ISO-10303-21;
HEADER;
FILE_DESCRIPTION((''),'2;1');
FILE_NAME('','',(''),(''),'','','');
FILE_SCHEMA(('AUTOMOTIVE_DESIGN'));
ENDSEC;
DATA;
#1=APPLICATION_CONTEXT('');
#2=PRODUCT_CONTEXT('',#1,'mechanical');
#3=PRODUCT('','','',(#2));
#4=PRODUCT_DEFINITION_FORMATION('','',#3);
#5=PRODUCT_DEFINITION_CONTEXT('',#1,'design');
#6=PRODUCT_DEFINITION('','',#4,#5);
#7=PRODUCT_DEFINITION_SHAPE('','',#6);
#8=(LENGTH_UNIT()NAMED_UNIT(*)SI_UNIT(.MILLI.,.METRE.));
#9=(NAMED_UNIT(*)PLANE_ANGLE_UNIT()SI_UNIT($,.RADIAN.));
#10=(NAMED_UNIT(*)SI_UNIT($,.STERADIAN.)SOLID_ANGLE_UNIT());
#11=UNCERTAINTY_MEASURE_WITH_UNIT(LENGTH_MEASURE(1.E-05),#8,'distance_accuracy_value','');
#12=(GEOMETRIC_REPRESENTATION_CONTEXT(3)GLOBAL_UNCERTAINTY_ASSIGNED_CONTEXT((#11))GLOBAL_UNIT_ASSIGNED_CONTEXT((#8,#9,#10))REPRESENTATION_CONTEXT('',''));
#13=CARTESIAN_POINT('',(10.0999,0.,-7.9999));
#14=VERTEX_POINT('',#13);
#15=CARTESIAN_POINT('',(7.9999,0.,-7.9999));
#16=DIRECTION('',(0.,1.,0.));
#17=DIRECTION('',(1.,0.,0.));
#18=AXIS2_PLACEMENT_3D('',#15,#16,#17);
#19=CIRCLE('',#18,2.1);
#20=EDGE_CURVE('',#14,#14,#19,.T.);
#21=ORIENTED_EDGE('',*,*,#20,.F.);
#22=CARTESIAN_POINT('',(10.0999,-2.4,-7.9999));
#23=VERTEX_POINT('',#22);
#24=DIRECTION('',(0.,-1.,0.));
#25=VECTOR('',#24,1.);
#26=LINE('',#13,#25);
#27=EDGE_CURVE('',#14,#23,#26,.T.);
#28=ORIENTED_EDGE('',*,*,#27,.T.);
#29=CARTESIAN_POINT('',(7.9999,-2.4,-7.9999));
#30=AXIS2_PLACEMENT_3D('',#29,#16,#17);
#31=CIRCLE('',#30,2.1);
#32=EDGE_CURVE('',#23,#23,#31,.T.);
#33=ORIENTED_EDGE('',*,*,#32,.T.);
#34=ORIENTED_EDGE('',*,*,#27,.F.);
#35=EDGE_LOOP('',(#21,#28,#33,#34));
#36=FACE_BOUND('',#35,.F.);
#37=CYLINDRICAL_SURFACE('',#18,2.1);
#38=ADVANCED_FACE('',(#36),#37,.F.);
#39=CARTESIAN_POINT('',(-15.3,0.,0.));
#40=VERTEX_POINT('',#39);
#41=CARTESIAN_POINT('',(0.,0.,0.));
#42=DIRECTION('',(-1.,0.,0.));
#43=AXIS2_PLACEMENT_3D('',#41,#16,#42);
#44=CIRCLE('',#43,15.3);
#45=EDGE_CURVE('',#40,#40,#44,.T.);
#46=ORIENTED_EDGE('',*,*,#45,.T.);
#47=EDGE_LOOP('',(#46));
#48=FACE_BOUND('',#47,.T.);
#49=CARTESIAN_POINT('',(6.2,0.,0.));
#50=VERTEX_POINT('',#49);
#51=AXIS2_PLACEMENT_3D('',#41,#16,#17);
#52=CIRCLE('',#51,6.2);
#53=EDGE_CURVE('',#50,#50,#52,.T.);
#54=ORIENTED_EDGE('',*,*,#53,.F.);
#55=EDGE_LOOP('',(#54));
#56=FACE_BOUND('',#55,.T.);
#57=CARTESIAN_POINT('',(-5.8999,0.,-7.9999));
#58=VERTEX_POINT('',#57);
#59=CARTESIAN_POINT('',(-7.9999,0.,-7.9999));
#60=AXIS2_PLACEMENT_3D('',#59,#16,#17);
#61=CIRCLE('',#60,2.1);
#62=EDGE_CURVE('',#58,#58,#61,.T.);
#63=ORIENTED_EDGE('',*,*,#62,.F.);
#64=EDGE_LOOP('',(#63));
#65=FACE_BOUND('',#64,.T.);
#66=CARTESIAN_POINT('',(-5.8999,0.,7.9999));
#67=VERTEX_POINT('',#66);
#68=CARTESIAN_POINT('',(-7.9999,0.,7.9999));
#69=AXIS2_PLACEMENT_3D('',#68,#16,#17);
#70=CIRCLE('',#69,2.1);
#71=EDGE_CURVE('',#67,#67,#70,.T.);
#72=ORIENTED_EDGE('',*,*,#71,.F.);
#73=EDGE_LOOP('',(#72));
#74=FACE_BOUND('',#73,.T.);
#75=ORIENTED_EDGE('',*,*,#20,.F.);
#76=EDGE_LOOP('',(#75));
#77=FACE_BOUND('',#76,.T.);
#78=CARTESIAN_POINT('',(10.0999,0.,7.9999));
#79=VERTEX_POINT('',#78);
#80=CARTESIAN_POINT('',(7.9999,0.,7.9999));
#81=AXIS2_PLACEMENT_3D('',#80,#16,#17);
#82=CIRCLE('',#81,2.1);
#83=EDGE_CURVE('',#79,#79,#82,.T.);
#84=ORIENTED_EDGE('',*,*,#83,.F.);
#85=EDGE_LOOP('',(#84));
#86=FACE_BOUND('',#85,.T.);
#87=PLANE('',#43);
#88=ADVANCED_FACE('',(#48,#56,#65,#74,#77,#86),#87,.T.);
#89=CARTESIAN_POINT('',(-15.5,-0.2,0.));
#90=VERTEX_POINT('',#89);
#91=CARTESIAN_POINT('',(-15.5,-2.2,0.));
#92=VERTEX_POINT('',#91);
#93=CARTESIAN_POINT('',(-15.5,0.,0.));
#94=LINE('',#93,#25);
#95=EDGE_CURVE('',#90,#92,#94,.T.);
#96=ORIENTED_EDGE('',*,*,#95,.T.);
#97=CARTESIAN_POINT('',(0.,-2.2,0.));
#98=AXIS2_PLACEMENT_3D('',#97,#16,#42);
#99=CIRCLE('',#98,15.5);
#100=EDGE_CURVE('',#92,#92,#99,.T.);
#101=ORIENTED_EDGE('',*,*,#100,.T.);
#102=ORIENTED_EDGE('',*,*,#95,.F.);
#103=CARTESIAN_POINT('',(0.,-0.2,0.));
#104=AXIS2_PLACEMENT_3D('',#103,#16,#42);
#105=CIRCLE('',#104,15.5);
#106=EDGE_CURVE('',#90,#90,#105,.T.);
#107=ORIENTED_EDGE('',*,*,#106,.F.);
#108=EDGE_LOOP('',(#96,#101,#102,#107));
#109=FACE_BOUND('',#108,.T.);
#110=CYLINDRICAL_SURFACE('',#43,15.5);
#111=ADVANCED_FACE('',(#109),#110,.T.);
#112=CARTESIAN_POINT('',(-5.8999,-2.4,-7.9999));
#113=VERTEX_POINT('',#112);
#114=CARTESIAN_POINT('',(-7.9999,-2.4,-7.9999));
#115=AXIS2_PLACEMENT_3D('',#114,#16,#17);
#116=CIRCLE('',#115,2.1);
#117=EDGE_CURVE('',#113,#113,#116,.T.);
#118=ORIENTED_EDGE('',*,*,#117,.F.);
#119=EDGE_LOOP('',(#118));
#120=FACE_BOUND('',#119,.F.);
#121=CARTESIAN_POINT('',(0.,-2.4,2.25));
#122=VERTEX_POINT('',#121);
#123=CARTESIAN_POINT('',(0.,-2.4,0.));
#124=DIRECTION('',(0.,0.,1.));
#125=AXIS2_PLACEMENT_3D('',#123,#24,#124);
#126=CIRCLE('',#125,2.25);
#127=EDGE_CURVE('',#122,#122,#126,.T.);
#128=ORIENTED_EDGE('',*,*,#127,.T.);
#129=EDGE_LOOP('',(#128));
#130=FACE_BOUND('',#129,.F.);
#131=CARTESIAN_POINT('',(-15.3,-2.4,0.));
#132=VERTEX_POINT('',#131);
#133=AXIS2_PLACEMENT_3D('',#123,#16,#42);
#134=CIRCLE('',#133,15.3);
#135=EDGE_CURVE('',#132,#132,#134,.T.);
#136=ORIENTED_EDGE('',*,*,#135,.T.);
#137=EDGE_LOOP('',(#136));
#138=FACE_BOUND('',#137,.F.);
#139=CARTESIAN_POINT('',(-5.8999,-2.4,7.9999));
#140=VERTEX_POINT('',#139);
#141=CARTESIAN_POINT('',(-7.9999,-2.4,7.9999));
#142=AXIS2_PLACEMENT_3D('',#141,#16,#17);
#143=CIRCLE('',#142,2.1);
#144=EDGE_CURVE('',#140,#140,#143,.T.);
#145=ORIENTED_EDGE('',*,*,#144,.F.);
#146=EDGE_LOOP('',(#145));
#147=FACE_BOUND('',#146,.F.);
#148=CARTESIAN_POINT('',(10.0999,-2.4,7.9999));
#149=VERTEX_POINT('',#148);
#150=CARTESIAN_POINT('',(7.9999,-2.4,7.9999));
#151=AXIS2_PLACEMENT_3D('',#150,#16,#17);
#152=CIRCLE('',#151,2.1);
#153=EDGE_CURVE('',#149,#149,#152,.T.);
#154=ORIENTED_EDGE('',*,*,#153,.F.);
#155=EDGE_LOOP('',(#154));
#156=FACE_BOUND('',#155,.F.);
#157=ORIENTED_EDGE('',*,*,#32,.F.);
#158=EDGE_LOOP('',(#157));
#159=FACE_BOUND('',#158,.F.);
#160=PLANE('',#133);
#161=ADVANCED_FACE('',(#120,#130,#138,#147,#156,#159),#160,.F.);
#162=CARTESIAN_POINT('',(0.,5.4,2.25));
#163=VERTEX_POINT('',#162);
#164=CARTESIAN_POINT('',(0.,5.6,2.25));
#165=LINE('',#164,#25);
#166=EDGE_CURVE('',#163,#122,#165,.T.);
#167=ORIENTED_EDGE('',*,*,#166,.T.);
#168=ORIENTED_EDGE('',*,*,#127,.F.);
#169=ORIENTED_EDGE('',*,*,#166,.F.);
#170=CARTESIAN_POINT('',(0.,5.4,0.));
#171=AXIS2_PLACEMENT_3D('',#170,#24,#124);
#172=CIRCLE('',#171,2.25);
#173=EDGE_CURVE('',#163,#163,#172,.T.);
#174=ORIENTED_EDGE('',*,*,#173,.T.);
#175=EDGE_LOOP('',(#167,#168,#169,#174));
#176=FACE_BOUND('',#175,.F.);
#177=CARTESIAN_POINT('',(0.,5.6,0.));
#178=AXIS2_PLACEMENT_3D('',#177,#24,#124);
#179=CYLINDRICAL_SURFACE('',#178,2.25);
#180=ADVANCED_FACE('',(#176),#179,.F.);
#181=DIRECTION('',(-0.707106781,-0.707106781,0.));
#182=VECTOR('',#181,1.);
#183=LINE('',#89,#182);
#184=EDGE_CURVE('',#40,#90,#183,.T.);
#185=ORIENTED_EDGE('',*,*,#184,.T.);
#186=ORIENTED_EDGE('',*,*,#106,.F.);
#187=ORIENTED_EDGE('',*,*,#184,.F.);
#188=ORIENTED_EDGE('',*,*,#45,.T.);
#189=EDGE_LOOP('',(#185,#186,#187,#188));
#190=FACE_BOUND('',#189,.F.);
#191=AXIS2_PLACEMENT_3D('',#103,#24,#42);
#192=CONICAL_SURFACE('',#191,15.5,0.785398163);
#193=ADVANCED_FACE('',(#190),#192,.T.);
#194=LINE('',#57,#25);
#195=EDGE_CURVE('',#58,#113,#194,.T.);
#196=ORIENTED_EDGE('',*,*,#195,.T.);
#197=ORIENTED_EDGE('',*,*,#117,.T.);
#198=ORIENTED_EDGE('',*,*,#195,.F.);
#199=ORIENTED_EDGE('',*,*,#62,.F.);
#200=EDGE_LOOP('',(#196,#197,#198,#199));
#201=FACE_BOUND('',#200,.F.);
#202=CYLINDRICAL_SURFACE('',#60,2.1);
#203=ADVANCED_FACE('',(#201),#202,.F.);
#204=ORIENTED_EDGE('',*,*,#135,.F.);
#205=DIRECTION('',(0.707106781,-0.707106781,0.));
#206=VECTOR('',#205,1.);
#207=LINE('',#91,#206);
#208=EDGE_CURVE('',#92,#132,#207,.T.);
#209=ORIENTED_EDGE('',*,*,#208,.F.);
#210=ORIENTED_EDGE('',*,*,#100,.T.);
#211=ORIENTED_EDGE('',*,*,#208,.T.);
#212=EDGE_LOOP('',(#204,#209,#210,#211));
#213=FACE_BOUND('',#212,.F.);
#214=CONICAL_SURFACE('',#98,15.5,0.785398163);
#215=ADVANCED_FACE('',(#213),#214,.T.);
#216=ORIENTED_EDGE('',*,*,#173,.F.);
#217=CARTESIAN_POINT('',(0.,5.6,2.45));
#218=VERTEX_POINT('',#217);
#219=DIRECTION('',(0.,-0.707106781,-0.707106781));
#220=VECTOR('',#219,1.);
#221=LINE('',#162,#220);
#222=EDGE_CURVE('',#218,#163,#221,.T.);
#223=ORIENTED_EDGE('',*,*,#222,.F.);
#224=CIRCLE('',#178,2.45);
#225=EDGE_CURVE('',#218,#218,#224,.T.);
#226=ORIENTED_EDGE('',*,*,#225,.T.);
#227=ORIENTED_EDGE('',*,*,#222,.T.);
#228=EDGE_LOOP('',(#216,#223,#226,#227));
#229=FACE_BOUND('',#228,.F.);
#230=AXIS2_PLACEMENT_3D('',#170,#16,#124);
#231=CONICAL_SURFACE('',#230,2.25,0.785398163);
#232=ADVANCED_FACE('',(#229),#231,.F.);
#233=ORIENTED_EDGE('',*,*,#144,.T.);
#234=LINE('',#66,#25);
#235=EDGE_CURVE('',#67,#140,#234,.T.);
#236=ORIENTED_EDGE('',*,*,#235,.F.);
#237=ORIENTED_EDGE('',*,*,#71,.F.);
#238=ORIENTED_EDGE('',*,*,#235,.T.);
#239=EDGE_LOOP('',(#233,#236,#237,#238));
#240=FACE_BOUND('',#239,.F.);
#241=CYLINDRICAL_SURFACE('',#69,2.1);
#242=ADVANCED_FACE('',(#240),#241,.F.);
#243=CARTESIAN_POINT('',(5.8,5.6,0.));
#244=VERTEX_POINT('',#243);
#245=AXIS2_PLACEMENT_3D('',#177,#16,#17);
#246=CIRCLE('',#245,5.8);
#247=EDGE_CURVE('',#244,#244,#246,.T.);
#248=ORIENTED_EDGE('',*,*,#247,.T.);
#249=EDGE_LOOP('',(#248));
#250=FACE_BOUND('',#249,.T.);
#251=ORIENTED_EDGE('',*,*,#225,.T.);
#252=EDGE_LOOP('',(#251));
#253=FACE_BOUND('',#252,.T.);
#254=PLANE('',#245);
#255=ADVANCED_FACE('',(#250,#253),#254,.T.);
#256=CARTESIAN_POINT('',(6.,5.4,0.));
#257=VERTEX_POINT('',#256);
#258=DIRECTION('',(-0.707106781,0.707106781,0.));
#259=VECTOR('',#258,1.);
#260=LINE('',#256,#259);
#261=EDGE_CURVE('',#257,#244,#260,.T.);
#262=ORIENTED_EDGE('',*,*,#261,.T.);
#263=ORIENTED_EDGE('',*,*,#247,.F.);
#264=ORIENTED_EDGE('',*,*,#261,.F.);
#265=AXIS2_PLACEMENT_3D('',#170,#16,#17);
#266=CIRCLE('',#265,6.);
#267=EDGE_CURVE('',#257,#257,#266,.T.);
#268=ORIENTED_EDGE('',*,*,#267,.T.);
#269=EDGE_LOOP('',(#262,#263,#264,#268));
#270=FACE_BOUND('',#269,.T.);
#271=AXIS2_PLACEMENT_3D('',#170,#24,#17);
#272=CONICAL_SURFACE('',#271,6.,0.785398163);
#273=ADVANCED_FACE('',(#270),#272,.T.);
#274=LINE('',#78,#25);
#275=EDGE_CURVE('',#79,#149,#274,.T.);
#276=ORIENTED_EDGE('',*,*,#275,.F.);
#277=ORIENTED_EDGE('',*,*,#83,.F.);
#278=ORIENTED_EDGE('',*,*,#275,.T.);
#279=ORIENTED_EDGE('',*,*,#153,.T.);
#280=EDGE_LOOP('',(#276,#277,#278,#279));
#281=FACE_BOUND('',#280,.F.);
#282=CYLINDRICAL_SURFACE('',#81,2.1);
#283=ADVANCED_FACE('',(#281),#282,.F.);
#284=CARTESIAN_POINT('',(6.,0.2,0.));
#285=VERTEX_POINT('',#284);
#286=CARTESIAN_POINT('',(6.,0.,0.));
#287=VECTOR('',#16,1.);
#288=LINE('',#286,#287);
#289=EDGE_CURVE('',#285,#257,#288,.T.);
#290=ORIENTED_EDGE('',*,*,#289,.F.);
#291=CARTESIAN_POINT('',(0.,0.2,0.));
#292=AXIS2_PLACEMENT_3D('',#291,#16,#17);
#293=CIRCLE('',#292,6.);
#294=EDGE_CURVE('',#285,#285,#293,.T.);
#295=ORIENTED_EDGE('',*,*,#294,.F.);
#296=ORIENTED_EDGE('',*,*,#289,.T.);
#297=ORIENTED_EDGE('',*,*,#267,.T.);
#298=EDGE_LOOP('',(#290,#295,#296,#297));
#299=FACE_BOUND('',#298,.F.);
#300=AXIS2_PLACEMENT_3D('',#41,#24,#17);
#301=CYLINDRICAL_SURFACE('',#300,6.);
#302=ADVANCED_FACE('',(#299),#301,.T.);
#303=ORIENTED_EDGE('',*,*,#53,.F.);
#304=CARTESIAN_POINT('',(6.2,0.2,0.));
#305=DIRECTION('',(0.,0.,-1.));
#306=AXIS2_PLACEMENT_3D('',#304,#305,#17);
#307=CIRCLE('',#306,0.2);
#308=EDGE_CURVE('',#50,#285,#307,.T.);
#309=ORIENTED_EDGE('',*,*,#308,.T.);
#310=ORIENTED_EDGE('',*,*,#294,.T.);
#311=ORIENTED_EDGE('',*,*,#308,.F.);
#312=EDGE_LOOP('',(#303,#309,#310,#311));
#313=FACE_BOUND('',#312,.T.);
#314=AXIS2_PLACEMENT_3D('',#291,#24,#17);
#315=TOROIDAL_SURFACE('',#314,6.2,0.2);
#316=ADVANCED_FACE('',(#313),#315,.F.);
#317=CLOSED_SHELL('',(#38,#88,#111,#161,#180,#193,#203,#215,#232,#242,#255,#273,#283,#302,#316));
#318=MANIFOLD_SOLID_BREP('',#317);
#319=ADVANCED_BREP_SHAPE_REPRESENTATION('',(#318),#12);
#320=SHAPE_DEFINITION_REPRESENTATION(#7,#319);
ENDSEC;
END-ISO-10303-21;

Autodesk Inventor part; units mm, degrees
ref_plane "YZ Plane" through (0, 0, 0) normal (1, 0, 0) x (0, 1, 0)
ref_plane "XZ Plane" through (0, 0, 0) normal (0, 1, 0) x (-1, 0, 0)
ref_plane "XY Plane" through (0, 0, 0) normal (0, 0, 1) x (1, 0, 0)
sketch "Sketch1" plane through (0, 0, 0) normal (0, 1, 0) x (-1, 0, 0)
  circle A0 centre (0, 0) radius 15.5
  dimension "d0" = 31
extrude "Extrusion1" add sketch "Sketch1" against normal blind 2.4
sketch "Sketch2" plane through (0, 0, 0) normal (0, 1, 0) x (1, 0, 0)
  circle A0 centre (0, 0) radius 6
  dimension "d3" = 12
extrude "Extrusion2" add sketch "Sketch2" along normal blind 5.6
sketch "Sketch3" plane through (0, 0, 0) normal (0, 1, 0) x (1, 0, 0)
  circle A0 centre (0, 0) radius 2.1
  circle A1 centre (7.9999, -7.9999) radius 2.1
  circle A2 centre (7.9999, 7.9999) radius 2.1
  circle A3 centre (-7.9999, 7.9999) radius 2.1
  circle A4 centre (-7.9999, -7.9999) radius 2.1
  circle A5 centre (0, 0) radius 6.1
  circle A6 centre (0, 0) radius 15.4
  point P0 (0, 0)
extrude "Extrusion3" cut sketch "Sketch3" against normal blind 5.6 contours A1 | A2 | A3 | A4
sketch "Sketch4" plane through (0, 5.6, 0) normal (0, 1, 0) x (1, 0, 0)
  point P0 (0, 0)
hole "Hole1" at (0, 5.6, 0) direction (0, -1, 0) diameter 4.5 end through all
fillet "Fillet1" radius 0.2 1 edges at (-6, 0, 0)
chamfer "Chamfer1" distance 0.2 angle 45 4 edges at (15.5, -2.4, 0) (15.5, 0, 0) (-6, 5.6, 0) (0, 5.6, -2.25)
properties part number "08-0005" material "Aluminum 6061"
